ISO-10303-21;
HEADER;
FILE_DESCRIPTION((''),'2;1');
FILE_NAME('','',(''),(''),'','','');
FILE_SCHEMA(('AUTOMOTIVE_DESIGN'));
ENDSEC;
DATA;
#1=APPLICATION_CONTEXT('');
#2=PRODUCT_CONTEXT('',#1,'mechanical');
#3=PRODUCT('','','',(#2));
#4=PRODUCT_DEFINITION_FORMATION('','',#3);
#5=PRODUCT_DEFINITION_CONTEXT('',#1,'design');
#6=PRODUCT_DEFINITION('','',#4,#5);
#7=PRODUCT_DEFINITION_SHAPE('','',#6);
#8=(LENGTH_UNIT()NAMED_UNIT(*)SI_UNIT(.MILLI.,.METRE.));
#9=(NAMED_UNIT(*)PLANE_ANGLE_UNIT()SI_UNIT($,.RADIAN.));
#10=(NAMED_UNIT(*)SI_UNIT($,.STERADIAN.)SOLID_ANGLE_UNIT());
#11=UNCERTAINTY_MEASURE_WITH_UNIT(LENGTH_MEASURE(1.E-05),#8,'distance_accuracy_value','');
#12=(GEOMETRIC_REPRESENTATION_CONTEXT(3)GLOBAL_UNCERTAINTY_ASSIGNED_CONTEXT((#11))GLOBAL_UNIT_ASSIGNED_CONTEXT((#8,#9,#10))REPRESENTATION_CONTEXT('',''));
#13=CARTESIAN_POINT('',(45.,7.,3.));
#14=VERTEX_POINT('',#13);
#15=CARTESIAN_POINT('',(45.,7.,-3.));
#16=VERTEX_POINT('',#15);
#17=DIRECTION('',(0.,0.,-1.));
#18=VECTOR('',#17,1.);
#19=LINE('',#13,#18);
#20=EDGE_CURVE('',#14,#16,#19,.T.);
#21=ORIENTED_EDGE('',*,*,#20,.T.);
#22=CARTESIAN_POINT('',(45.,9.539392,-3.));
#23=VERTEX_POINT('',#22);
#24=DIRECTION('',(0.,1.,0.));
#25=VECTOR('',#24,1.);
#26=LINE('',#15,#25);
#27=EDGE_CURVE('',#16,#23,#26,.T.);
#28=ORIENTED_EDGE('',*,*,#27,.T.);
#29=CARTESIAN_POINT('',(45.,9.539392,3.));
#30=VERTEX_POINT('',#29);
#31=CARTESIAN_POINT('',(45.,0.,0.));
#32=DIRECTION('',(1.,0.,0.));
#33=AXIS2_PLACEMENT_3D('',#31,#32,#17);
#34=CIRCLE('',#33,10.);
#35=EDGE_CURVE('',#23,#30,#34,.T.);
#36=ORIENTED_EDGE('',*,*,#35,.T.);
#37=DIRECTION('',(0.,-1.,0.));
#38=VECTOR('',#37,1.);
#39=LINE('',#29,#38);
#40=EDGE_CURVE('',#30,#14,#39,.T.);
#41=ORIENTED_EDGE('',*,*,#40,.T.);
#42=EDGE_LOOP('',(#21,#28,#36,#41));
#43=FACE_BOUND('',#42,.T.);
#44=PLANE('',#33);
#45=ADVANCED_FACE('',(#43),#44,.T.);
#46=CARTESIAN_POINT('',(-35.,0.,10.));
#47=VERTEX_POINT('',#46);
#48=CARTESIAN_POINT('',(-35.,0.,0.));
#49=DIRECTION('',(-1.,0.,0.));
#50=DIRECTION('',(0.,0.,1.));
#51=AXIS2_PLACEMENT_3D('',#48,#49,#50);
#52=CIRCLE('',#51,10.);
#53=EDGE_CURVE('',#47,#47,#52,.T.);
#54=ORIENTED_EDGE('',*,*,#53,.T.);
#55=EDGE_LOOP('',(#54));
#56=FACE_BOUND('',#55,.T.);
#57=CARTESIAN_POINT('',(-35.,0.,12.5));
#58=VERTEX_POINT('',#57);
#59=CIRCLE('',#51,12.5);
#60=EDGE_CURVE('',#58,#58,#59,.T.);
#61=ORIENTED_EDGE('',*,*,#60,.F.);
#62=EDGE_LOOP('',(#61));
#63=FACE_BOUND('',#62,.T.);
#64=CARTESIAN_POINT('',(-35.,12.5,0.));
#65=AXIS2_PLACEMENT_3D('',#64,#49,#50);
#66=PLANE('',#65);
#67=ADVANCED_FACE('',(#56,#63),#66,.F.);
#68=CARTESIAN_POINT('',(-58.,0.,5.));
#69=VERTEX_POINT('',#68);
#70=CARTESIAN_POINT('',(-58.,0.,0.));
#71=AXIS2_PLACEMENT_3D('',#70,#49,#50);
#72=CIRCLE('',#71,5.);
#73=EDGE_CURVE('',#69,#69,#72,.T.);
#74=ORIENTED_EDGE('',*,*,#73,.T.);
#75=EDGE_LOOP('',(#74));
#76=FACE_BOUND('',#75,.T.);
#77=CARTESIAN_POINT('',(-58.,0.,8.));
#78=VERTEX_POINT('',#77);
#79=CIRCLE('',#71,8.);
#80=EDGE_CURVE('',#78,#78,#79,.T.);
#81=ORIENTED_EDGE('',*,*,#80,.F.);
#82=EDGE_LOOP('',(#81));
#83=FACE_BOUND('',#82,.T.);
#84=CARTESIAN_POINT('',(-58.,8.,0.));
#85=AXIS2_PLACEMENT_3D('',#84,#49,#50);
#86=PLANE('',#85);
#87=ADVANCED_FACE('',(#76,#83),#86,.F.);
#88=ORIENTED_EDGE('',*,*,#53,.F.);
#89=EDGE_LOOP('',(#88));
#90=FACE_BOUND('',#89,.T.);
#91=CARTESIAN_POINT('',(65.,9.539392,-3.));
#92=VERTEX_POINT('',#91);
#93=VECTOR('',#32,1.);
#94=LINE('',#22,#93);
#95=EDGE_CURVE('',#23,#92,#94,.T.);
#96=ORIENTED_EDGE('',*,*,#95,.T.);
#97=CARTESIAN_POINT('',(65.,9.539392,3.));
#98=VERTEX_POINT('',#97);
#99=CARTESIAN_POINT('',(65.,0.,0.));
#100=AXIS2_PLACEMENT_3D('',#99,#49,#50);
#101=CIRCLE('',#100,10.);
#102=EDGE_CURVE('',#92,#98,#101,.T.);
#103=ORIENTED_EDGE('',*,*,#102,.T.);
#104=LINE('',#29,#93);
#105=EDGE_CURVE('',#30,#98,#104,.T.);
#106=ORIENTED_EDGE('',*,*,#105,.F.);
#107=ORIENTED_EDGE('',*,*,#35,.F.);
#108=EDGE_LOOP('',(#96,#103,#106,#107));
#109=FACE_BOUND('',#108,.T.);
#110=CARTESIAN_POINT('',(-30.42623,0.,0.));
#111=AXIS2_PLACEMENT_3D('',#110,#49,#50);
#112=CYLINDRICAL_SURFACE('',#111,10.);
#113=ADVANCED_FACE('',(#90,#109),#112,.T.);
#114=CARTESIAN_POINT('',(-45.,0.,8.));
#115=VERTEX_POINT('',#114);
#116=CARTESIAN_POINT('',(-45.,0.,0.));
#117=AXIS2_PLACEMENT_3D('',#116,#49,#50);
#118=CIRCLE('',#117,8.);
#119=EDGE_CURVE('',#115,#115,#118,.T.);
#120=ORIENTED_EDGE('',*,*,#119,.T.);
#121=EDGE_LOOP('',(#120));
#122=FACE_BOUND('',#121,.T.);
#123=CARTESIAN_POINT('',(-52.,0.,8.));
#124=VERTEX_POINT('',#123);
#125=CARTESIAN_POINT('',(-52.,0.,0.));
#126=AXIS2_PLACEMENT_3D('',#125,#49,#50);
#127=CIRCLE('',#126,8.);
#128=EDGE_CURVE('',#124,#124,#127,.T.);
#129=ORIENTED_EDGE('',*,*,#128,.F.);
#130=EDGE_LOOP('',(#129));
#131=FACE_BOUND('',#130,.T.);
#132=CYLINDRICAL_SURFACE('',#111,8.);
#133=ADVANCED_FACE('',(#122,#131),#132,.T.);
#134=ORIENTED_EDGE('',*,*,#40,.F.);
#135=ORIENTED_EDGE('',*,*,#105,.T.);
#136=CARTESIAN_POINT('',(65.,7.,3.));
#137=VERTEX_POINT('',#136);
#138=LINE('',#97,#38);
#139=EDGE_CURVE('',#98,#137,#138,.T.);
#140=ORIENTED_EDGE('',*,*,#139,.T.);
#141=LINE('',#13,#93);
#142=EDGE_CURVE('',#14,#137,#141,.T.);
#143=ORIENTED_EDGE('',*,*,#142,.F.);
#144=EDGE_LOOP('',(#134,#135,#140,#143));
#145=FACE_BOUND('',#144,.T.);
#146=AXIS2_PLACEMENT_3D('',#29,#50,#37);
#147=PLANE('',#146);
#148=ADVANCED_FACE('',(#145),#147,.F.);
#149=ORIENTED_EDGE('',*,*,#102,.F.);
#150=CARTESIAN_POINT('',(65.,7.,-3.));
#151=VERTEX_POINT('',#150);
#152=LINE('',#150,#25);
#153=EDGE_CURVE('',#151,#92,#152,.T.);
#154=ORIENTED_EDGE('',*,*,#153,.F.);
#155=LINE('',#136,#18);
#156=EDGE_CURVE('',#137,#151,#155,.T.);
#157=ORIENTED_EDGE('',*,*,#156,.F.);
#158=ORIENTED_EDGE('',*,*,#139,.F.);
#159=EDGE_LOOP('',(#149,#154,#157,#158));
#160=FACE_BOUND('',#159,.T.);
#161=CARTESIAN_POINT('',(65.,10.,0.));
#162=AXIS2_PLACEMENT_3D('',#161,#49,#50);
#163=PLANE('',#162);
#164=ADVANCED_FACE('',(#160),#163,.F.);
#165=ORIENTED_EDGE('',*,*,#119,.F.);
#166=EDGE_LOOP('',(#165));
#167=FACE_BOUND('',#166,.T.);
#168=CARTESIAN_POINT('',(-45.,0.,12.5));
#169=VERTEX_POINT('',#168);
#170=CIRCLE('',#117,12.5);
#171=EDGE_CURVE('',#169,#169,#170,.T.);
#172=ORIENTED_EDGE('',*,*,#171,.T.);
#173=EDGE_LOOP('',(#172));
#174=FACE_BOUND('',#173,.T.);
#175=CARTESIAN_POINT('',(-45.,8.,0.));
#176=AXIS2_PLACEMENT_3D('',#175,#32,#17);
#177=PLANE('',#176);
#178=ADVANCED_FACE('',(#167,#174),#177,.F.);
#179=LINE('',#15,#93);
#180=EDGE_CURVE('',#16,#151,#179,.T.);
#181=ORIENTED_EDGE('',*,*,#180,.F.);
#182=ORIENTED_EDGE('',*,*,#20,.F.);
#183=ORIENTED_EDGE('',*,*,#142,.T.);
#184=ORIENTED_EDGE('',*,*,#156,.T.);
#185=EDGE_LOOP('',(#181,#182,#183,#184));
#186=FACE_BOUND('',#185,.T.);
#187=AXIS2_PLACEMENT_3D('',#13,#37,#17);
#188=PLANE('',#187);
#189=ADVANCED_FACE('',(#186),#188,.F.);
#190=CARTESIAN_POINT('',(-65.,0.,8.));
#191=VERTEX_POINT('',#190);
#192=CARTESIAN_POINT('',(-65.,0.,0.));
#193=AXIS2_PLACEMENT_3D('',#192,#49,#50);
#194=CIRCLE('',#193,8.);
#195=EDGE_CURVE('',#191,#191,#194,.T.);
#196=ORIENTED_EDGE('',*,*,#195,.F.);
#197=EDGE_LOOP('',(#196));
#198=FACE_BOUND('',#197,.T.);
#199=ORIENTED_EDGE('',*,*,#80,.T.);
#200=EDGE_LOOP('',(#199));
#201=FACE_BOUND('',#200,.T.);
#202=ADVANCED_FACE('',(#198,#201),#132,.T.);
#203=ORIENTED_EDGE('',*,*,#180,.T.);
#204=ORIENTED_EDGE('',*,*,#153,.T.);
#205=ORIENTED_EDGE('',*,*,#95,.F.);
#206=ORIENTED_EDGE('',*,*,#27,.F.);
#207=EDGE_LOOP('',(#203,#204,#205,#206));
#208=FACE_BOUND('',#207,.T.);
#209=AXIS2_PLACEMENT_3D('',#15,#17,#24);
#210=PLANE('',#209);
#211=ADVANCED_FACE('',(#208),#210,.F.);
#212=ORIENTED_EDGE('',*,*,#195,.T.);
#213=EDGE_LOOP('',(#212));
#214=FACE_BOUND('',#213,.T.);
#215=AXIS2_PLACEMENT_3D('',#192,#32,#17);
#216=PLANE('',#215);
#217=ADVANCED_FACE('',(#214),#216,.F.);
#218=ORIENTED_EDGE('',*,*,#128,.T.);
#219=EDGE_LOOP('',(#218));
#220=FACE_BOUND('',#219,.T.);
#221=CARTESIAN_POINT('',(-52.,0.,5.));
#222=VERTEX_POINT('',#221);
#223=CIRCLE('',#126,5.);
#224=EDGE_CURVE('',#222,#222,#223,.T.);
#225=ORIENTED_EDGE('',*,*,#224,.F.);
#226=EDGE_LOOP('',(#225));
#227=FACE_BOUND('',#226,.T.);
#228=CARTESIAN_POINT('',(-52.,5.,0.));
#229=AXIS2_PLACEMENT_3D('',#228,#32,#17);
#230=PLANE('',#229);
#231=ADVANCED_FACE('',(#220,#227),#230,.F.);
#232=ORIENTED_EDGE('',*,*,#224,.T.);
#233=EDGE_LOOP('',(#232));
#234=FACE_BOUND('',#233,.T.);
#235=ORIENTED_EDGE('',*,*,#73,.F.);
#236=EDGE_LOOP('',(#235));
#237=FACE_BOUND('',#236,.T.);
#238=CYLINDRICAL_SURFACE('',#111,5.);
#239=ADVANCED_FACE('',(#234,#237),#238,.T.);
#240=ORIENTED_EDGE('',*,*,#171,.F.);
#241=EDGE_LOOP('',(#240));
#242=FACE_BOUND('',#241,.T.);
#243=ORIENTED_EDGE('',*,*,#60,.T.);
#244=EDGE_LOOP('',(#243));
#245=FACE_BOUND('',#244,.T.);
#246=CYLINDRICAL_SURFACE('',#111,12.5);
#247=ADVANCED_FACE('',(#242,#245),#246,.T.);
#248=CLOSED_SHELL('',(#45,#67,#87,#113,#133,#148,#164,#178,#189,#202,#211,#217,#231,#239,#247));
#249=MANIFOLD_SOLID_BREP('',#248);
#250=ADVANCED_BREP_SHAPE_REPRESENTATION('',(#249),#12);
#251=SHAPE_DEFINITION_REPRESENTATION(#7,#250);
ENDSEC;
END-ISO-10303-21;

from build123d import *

# Parameters (mm, degrees)
CUT_EXTRUDE1_DEPTH = 20


with BuildPart() as part:
    # Sketch1 → Revolve1 (revolve)
    with BuildSketch(Plane.XY, mode=Mode.PRIVATE) as revolve1_sk:
        Polygon((-65, 0), (-65, 8), (-58, 8), (-58, 5), (-52, 5), (-52, 8), (-45, 8), (-45, 12.5), (-35, 12.5), (-35, 10), (65, 10), (65, 0), align=None)
    revolve(revolve1_sk.sketch.rotate(Axis((-30.426229508, 0, 0), (1, 0, 0)), 90), axis=Axis((-30.426229508, 0, 0), (1, 0, 0)))

    # Sketch2 → Cut-Extrude1 (cut)
    with BuildSketch(Plane(origin=(65, 0, 0), x_dir=(0, 0, -1), z_dir=(1, 0, 0))):
        with BuildLine():
            Line((-3, 9.539392014), (-3, 7))
            Line((-3, 7), (3, 7))
            Line((3, 7), (3, 9.539392014))
            ThreePointArc((3, 9.539392014), (0, 10), (-3, 9.539392014))
        make_face()
    extrude(amount=-CUT_EXTRUDE1_DEPTH, mode=Mode.SUBTRACT)


solid = part.part
